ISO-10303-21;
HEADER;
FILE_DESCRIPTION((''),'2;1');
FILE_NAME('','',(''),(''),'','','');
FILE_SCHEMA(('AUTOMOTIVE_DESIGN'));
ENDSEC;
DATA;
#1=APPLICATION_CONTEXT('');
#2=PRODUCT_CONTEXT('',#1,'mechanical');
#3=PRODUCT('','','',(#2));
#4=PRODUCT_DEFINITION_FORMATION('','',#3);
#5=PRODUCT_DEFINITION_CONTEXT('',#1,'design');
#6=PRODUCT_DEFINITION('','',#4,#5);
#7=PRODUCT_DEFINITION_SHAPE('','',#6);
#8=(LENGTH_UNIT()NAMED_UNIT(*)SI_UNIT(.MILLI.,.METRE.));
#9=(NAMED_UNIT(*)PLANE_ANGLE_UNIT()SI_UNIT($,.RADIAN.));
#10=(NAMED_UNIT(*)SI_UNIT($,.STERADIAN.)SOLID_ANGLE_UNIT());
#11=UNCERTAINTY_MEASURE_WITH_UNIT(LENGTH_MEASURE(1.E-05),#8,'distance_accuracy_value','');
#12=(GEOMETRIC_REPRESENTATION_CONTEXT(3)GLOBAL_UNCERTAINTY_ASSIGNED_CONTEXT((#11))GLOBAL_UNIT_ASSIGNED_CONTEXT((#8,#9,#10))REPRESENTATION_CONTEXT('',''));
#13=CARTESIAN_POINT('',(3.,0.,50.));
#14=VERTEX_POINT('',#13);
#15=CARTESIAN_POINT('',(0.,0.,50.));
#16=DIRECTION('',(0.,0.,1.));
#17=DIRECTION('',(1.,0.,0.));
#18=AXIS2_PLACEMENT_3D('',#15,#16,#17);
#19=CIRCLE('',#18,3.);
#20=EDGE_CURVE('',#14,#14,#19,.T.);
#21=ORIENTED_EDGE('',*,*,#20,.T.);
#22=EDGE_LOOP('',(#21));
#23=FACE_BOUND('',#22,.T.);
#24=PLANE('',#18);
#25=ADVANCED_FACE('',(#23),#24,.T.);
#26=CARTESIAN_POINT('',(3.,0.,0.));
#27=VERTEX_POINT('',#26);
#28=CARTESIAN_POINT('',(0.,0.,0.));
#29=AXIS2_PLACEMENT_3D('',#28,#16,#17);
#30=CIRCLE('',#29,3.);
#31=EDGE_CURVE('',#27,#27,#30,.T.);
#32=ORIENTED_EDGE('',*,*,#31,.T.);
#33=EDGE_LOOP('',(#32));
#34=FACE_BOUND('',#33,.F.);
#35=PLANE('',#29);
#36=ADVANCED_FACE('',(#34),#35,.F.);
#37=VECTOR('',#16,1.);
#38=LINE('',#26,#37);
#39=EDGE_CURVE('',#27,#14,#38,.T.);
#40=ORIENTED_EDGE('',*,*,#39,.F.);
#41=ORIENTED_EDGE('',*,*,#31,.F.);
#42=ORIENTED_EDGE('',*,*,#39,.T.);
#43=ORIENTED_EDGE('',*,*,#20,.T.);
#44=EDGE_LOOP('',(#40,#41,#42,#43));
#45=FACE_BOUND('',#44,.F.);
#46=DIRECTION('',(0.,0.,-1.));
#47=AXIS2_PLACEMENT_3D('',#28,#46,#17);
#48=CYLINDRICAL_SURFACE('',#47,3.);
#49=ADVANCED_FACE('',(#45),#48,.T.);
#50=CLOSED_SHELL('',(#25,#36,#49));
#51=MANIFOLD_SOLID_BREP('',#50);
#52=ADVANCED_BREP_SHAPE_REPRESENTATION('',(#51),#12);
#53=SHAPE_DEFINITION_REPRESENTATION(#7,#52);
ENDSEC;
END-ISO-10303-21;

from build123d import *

# Parameters (mm, degrees)
SKETCH_1_R      = 3
EXTRUDE_1_DEPTH = 50


with BuildPart() as part:
    # 草图1 → 凸台-拉伸1 (new body)
    with BuildSketch(Plane.XY):
        Circle(SKETCH_1_R)
    extrude(amount=EXTRUDE_1_DEPTH)


solid = part.part
